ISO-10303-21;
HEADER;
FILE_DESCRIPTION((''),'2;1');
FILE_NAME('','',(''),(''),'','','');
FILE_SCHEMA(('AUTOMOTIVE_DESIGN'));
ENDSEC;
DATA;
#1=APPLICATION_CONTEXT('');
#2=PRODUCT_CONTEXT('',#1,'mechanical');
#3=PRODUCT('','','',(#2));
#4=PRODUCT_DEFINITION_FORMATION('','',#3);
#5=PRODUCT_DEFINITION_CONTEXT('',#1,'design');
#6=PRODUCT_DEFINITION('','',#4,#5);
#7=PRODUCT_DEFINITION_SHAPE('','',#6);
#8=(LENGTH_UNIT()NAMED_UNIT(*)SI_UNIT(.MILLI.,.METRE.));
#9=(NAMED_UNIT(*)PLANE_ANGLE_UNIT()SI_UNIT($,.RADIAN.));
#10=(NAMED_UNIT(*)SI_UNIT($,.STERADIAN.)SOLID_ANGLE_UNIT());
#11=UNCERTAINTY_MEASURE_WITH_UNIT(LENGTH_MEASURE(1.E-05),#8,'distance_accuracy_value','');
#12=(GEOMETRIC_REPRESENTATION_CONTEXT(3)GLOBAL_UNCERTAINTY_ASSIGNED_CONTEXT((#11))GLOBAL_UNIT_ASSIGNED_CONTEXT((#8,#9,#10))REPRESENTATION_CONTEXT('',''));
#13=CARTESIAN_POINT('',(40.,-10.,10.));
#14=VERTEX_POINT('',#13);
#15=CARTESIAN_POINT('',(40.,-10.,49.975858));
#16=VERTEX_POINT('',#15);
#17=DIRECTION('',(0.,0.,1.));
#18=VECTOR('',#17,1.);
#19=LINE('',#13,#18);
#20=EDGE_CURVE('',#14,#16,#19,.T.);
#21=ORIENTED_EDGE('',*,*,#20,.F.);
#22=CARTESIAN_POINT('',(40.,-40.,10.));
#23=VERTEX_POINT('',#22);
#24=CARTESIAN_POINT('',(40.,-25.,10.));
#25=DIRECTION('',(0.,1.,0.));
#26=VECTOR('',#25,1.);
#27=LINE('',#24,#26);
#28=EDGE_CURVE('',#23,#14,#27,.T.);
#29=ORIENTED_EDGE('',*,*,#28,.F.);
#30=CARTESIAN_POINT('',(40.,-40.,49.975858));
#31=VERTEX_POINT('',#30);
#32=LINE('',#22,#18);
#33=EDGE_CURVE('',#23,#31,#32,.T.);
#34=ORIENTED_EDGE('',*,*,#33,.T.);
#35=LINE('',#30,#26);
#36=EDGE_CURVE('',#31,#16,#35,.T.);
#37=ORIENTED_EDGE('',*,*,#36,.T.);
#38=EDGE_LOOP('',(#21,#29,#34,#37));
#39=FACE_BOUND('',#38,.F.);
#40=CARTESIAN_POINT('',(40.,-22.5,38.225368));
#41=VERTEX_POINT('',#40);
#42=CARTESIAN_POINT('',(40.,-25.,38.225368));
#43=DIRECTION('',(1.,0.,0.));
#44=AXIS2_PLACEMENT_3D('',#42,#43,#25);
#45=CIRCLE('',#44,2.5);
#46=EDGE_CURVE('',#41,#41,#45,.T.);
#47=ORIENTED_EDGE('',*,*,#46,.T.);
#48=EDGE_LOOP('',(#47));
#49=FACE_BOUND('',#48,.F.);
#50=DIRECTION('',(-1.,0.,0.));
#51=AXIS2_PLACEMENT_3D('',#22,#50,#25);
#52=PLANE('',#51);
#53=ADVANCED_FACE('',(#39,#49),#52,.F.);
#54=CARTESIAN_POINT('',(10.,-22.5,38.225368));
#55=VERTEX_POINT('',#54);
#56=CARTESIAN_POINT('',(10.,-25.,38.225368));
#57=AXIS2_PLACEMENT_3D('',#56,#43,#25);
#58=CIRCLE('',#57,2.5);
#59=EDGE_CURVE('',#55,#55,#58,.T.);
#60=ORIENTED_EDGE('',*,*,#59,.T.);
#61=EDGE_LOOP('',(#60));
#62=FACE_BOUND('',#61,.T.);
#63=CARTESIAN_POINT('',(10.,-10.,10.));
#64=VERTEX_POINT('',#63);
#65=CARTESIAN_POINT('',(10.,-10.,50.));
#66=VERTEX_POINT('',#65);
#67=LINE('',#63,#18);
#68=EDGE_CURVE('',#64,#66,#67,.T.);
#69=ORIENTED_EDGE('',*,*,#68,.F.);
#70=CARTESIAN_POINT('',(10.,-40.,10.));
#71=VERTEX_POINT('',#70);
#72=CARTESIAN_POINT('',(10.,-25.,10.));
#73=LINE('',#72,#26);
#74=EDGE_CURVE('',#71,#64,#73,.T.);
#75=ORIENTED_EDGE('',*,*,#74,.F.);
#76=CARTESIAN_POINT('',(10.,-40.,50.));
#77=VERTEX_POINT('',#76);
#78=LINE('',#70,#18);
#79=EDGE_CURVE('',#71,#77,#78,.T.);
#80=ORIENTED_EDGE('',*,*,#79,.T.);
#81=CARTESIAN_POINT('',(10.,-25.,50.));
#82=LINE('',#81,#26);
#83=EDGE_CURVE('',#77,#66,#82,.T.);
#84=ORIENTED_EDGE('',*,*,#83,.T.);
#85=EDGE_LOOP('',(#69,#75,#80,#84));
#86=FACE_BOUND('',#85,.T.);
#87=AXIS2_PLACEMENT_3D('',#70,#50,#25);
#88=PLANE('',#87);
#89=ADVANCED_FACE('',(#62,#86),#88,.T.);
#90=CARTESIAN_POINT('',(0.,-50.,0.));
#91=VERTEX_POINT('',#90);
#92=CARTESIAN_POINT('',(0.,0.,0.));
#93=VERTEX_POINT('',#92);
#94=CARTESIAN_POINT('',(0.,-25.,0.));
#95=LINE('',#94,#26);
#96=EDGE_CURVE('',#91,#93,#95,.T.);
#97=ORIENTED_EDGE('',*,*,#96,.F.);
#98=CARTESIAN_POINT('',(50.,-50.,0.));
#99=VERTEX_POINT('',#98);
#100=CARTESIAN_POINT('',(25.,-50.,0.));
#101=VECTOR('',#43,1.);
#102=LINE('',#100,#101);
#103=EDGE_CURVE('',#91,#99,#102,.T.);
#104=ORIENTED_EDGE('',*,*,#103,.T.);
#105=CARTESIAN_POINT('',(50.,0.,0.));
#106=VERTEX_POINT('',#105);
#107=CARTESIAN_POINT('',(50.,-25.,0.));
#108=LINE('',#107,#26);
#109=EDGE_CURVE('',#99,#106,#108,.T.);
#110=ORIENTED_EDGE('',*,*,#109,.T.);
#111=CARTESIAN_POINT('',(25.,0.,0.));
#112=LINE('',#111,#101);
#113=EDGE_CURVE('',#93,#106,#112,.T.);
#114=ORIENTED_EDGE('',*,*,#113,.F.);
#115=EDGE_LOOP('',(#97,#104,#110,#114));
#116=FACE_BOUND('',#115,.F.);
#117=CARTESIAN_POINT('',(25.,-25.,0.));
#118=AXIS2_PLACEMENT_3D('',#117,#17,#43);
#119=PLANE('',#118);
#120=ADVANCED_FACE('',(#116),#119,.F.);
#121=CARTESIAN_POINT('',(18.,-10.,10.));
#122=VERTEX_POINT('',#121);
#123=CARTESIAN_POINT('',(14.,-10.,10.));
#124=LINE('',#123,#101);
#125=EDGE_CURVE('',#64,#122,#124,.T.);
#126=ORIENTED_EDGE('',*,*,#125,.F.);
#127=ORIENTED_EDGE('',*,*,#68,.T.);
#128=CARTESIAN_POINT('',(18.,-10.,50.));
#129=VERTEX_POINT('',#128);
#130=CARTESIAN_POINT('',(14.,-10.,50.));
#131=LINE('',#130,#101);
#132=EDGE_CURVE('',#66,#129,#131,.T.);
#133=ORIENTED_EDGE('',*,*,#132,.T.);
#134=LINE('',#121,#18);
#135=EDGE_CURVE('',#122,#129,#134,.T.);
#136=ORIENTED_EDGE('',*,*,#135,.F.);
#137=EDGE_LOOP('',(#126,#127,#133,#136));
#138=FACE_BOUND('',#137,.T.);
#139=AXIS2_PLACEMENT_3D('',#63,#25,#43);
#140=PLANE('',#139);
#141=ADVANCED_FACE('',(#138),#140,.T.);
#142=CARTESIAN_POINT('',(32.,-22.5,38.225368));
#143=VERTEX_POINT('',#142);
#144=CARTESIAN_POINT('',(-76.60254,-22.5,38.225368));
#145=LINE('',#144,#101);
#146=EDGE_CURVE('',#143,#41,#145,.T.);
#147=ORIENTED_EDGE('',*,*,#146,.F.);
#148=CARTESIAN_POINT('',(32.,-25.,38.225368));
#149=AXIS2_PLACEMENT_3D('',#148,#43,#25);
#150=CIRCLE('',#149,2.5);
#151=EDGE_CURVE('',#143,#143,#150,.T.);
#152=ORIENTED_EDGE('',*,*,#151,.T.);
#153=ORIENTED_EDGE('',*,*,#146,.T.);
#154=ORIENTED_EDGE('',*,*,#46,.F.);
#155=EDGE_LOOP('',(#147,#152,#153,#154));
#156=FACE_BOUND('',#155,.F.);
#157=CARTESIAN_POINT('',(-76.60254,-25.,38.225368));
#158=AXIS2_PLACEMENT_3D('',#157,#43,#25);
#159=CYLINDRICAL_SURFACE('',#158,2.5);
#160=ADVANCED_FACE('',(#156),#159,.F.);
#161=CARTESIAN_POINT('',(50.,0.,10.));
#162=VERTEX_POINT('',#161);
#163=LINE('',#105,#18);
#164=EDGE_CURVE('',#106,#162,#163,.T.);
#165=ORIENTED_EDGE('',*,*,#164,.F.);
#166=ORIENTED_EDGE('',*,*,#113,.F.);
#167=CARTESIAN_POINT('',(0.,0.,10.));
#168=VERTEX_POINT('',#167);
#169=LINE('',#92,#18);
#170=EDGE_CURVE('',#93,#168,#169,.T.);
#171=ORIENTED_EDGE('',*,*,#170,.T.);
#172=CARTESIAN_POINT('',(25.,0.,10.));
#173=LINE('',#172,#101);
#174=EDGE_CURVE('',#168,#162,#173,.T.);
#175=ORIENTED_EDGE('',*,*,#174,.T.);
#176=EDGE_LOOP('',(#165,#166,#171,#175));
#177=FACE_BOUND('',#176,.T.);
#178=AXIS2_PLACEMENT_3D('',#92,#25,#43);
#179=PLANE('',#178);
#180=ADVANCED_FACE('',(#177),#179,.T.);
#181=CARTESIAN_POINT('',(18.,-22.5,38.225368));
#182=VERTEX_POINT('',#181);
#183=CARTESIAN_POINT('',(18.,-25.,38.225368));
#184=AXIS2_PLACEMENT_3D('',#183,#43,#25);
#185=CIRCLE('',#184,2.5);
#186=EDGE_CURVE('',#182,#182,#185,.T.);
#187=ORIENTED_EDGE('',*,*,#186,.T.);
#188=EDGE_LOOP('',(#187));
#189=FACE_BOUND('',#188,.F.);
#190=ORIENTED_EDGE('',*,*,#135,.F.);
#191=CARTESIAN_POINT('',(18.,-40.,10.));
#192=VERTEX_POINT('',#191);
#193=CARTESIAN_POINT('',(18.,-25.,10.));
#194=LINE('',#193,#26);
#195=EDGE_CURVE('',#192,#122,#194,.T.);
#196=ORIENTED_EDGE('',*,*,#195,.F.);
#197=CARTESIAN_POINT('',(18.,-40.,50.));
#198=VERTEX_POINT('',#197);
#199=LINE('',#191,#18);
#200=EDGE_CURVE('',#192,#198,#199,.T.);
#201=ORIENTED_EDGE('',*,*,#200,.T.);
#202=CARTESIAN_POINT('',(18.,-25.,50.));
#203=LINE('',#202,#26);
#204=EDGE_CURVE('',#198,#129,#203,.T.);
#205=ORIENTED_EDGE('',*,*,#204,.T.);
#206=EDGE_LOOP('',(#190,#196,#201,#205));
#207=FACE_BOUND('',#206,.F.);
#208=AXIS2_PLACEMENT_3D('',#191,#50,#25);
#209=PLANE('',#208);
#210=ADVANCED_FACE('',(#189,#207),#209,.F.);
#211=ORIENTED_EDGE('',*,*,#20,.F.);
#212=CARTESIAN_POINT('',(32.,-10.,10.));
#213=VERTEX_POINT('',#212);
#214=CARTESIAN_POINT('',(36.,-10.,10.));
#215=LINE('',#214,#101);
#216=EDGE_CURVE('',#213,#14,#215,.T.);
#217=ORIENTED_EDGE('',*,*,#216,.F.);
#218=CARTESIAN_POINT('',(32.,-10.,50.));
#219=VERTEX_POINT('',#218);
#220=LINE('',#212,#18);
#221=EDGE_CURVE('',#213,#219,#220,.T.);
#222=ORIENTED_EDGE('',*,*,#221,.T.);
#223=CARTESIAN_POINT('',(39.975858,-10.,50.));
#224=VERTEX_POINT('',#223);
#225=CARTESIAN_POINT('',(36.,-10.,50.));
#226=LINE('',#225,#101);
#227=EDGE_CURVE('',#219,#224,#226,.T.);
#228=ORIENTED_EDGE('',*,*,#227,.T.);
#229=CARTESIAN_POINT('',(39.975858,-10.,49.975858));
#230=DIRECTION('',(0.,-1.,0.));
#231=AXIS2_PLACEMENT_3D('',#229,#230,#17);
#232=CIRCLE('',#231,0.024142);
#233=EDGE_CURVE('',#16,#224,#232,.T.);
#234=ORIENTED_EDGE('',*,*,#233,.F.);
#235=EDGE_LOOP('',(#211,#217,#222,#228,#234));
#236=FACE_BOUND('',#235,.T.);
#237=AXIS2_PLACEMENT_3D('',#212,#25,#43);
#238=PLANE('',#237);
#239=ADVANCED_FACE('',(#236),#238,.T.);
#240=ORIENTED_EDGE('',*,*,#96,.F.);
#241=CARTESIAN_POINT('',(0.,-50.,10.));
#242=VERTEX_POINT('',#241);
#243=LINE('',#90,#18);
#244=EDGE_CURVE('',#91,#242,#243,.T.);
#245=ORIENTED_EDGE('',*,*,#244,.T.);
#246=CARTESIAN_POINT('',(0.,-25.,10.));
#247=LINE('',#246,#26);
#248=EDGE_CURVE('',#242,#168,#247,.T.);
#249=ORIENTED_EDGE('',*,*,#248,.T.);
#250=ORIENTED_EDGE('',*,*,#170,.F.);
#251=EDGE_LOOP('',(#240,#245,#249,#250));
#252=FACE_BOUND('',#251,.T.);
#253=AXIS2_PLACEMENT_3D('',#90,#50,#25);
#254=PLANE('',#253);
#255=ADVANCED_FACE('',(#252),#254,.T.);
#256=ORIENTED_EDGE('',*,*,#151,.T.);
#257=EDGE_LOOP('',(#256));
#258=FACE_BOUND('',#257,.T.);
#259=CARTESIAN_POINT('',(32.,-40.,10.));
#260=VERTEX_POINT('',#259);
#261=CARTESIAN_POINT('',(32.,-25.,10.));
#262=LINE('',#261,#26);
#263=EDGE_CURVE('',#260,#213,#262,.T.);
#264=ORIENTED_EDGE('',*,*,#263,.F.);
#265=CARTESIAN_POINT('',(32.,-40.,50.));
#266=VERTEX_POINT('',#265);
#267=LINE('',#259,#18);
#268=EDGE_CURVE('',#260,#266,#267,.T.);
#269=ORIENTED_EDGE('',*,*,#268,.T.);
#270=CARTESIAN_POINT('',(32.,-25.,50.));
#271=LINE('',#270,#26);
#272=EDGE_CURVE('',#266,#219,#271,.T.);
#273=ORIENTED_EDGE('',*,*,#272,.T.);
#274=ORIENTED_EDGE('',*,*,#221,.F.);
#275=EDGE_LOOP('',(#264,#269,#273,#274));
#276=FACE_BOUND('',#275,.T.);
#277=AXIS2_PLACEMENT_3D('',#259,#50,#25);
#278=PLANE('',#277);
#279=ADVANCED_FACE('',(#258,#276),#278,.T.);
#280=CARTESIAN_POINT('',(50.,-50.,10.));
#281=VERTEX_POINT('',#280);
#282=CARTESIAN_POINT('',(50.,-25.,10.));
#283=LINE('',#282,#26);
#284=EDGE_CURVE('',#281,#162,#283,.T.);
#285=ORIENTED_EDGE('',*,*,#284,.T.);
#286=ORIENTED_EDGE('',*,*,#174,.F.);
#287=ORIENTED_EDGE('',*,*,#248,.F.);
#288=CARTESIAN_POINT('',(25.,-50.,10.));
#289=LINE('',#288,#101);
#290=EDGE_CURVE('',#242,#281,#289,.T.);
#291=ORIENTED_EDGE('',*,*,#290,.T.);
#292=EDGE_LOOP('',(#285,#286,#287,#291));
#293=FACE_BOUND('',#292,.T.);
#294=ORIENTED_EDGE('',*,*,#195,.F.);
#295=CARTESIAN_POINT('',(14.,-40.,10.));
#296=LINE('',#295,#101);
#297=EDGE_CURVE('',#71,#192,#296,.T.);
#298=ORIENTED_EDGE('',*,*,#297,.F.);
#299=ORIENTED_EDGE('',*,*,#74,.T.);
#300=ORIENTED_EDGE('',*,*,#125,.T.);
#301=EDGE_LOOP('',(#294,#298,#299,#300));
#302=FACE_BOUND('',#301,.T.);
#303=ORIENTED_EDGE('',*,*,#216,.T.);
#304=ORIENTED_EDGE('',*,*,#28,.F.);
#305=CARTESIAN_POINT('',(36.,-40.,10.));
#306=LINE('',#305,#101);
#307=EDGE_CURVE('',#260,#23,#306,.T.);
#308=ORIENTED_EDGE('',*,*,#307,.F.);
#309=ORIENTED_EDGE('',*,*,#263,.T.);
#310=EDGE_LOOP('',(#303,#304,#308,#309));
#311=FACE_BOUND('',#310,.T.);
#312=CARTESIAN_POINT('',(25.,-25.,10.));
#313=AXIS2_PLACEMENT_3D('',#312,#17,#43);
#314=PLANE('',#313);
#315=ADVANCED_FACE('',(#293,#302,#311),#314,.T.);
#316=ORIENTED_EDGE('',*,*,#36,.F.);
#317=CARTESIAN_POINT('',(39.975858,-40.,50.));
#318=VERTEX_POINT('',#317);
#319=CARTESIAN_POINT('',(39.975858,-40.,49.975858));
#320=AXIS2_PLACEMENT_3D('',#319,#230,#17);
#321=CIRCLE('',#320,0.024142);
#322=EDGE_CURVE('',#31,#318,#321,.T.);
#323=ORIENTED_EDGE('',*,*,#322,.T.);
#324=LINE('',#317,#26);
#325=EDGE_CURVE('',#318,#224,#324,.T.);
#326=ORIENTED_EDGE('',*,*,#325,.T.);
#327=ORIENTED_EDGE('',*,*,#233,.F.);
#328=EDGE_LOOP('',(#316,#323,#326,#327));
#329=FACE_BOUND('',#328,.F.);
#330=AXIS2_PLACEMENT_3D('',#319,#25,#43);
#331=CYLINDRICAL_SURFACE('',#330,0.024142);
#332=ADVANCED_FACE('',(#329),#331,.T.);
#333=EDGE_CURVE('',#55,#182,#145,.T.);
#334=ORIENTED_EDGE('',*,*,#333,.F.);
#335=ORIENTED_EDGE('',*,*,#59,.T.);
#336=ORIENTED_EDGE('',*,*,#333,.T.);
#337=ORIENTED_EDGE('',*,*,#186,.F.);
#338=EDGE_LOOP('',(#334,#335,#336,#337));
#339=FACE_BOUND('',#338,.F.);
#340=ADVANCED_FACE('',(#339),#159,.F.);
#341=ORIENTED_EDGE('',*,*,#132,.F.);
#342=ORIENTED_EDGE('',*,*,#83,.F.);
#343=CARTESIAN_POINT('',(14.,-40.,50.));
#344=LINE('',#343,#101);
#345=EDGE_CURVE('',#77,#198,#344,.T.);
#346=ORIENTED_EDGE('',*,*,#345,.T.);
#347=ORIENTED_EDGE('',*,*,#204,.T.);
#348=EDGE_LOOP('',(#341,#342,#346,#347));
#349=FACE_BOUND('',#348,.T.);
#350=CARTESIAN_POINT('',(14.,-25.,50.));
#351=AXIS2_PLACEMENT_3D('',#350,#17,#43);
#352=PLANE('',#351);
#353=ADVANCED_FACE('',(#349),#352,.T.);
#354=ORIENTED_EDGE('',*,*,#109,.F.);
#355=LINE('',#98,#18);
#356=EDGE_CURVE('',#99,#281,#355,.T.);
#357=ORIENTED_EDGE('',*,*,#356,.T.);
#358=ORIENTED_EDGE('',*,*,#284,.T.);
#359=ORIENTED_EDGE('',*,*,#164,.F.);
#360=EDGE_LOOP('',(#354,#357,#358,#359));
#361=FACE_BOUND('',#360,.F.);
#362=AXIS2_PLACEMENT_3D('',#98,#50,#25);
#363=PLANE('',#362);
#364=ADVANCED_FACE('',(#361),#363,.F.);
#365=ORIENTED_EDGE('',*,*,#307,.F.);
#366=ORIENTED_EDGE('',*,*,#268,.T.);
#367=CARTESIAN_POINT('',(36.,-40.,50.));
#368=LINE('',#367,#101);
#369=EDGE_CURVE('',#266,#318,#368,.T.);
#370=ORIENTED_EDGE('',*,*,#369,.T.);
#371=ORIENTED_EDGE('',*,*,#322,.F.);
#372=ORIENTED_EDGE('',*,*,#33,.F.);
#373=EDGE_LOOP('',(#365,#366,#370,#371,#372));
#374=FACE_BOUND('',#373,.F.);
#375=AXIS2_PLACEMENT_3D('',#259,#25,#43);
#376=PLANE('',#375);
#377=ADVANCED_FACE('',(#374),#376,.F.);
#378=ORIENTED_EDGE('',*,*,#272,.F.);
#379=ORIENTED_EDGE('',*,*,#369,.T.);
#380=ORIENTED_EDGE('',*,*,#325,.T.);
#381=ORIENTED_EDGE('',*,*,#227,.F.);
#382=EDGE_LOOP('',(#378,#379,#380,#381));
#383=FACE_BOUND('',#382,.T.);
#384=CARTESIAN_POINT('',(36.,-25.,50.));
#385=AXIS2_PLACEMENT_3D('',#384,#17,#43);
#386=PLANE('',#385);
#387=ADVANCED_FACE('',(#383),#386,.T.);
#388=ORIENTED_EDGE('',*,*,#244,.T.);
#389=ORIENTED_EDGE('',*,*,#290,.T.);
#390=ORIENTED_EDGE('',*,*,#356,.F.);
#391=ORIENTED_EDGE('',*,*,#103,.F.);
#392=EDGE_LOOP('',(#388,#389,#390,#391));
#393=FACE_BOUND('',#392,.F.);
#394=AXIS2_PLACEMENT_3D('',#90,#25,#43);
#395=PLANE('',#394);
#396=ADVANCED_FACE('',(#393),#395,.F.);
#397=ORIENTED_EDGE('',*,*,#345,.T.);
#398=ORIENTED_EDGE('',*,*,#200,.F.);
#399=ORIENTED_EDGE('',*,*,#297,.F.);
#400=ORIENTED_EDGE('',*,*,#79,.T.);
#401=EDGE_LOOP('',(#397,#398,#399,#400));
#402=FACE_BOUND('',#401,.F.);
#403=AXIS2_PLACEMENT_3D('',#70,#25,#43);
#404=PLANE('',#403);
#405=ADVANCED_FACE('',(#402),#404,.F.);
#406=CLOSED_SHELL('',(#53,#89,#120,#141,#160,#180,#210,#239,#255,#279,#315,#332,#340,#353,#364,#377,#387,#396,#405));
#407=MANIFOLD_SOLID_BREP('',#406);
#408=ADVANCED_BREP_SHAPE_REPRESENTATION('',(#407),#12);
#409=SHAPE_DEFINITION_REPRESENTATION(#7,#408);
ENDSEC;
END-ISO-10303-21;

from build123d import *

# Parameters (mm, degrees)
F0_W     = 50
F0_H     = 50
F1_DEPTH = 10
F2_W     = 8
F2_H     = 30
F3_DEPTH = 40
F5_D     = 5
F6_R     = 0.024142


with BuildPart() as f1:
    # F0 (on Top) → F1 (new body)
    with BuildSketch(Plane.XY):
        with Locations((25, -25)):
            Rectangle(F0_W, F0_H)
    extrude(amount=F1_DEPTH)

    # F2 (on face) → F3 (join)
    with BuildSketch(Plane.XY.offset(10)):
        with Locations((14, -25)):
            Rectangle(F2_W, F2_H)
        with Locations((36, -25)):
            Rectangle(F2_W, F2_H)
    extrude(amount=F3_DEPTH)

    # F5 (through all)
    with Locations(Plane(origin=(10, 0, 0), x_dir=(0, -1, 0), z_dir=(-1, 0, 0))):
        with Locations((25, 38.225368)):
            Hole(F5_D / 2)

    # F6
    f6_edges = [f1.edges().sort_by_distance(p)[0] for p in [
        (40, -25, 50),
    ]]
    fillet(f6_edges, radius=F6_R)


solid = f1.part
